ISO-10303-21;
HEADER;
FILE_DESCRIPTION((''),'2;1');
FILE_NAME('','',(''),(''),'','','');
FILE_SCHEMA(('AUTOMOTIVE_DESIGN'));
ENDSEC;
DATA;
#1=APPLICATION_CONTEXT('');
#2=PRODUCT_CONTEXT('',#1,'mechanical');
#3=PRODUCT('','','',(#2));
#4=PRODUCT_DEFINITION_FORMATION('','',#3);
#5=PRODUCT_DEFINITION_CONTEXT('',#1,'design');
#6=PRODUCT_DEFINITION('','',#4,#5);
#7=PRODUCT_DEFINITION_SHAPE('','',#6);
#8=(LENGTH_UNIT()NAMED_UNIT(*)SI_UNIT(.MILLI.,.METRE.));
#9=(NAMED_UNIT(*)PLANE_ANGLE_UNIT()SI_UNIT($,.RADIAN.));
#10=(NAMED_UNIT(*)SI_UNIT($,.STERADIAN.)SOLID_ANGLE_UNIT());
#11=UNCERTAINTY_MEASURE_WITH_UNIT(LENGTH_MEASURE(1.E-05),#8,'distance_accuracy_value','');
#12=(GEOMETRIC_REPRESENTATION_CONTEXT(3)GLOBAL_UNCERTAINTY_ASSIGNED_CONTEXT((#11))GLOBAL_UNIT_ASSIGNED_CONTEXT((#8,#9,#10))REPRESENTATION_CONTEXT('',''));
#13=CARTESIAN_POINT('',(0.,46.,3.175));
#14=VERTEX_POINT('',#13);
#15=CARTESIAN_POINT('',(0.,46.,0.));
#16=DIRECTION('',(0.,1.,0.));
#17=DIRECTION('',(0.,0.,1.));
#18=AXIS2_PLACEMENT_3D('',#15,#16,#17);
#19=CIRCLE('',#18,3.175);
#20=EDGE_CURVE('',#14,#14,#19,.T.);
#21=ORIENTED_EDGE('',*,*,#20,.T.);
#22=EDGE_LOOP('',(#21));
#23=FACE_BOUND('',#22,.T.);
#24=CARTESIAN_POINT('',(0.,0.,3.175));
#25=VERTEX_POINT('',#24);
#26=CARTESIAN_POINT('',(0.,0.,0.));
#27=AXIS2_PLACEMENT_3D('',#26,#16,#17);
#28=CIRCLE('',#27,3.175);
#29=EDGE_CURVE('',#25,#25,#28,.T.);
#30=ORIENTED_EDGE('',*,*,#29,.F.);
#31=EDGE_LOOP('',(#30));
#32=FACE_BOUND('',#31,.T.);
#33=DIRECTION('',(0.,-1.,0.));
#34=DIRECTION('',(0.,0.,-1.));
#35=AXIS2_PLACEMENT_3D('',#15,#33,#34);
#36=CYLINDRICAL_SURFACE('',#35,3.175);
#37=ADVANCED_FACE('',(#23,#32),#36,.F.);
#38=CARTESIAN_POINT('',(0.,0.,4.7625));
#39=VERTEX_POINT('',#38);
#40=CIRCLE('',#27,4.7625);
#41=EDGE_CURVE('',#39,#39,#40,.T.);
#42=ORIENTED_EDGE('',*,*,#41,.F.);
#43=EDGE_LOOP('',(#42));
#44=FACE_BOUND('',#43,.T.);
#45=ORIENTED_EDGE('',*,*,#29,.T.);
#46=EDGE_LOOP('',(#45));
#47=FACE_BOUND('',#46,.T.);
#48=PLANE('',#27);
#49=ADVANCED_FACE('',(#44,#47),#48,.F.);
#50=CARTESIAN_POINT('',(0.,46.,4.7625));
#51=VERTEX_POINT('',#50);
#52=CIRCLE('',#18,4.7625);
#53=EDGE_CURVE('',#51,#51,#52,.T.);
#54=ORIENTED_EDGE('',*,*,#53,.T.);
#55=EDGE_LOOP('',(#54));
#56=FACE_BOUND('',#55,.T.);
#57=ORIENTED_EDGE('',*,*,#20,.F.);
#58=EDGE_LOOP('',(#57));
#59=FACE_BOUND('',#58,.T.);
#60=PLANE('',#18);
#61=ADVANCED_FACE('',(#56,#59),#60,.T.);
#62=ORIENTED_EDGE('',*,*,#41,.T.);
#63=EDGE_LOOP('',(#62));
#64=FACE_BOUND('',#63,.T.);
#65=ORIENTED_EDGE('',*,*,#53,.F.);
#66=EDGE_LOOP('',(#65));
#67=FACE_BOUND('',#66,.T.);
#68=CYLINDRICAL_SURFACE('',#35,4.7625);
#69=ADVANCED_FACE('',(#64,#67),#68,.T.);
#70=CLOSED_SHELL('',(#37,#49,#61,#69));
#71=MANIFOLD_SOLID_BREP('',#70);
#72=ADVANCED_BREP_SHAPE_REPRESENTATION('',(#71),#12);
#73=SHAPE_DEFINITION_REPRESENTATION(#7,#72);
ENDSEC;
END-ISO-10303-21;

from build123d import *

# Parameters (mm, degrees)
SKETCH1_R           = 4.7625
SKETCH1_R_2         = 3.175
BOSS_EXTRUDE1_DEPTH = 46


with BuildPart() as part:
    # Sketch1 → Boss-Extrude1 (new body)
    with BuildSketch(Plane(origin=(0, 0, 0), x_dir=(1, 0, 0), z_dir=(0, 1, 0))):
        with Locations(Location((0, 0, 0), (0, 0, 270))):
            Circle(SKETCH1_R)
        with Locations(Location((0, 0, 0), (0, 0, 270))):
            Circle(SKETCH1_R_2, mode=Mode.SUBTRACT)
    extrude(amount=BOSS_EXTRUDE1_DEPTH)


solid = part.part
